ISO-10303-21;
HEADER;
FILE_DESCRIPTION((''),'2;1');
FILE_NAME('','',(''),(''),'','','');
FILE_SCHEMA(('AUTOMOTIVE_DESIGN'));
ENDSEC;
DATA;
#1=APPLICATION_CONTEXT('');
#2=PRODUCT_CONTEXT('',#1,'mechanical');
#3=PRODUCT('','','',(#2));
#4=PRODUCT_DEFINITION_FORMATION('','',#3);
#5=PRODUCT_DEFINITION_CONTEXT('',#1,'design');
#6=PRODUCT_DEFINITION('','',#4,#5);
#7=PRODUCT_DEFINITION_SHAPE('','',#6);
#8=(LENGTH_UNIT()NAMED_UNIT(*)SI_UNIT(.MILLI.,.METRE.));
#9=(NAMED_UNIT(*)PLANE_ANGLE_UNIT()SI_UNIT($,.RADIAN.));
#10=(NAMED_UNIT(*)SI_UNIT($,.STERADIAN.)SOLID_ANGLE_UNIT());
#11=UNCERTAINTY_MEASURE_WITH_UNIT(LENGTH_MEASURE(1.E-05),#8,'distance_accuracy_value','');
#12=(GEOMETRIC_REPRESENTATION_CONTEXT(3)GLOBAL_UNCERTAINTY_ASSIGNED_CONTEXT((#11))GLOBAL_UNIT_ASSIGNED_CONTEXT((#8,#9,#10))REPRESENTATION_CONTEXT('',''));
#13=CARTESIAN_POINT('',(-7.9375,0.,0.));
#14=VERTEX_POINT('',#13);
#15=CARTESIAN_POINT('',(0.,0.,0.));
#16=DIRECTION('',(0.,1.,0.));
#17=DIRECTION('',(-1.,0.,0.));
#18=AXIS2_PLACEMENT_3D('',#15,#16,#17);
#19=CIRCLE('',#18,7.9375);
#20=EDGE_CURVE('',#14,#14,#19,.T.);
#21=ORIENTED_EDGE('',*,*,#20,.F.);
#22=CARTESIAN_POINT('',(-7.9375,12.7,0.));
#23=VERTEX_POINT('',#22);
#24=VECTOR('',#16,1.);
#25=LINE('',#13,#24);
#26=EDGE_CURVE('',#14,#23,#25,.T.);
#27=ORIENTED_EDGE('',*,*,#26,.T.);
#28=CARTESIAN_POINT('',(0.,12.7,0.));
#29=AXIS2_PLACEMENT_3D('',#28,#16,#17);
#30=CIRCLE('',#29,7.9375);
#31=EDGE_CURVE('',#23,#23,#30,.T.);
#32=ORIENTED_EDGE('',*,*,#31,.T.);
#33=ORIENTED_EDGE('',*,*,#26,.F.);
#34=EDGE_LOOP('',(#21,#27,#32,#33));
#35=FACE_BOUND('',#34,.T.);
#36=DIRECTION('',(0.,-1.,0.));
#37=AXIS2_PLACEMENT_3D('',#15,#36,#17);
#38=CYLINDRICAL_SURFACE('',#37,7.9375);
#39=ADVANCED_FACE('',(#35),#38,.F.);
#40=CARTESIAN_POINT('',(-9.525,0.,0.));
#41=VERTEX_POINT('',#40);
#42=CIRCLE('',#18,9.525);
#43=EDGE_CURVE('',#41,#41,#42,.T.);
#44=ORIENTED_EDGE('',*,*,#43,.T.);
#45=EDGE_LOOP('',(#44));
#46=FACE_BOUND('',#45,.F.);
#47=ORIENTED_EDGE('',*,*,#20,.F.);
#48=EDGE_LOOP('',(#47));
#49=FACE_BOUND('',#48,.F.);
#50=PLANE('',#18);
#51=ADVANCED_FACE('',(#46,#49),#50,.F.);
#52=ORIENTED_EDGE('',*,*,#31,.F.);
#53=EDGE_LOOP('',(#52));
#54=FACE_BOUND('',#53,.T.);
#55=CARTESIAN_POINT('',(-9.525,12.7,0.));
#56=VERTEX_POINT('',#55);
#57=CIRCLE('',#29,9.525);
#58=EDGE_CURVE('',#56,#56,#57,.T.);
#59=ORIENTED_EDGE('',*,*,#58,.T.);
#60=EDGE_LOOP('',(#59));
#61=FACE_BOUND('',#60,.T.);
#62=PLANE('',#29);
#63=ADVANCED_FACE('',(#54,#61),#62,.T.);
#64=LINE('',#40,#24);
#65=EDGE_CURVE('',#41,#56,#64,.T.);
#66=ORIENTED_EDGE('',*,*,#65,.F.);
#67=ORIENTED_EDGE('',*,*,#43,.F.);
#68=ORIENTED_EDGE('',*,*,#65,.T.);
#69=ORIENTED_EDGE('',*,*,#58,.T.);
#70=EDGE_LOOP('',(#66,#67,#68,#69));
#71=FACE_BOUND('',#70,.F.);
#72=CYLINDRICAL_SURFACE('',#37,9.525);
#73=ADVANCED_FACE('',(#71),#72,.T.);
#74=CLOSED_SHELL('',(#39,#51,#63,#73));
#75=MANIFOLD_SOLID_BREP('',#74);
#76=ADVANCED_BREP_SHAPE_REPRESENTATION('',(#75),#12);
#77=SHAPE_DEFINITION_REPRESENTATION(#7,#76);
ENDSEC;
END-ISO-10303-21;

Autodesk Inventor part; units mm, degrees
ref_plane "YZ Plane" through (0, 0, 0) normal (1, 0, 0) x (0, 1, 0)
ref_plane "XZ Plane" through (0, 0, 0) normal (0, 1, 0) x (-1, 0, 0)
ref_plane "XY Plane" through (0, 0, 0) normal (0, 0, 1) x (1, 0, 0)
sketch "Sketch1" plane through (0, 0, 0) normal (0, 1, 0) x (-1, 0, 0)
  circle A0 centre (0, 0) radius 9.525
  circle A1 centre (0, 0) radius 7.9375
  dimension "d0" = 19.05
  dimension "d1" = 1.5875
extrude "Extrusion1" add sketch "Sketch1" along normal blind 12.7
properties part number "shaft"
